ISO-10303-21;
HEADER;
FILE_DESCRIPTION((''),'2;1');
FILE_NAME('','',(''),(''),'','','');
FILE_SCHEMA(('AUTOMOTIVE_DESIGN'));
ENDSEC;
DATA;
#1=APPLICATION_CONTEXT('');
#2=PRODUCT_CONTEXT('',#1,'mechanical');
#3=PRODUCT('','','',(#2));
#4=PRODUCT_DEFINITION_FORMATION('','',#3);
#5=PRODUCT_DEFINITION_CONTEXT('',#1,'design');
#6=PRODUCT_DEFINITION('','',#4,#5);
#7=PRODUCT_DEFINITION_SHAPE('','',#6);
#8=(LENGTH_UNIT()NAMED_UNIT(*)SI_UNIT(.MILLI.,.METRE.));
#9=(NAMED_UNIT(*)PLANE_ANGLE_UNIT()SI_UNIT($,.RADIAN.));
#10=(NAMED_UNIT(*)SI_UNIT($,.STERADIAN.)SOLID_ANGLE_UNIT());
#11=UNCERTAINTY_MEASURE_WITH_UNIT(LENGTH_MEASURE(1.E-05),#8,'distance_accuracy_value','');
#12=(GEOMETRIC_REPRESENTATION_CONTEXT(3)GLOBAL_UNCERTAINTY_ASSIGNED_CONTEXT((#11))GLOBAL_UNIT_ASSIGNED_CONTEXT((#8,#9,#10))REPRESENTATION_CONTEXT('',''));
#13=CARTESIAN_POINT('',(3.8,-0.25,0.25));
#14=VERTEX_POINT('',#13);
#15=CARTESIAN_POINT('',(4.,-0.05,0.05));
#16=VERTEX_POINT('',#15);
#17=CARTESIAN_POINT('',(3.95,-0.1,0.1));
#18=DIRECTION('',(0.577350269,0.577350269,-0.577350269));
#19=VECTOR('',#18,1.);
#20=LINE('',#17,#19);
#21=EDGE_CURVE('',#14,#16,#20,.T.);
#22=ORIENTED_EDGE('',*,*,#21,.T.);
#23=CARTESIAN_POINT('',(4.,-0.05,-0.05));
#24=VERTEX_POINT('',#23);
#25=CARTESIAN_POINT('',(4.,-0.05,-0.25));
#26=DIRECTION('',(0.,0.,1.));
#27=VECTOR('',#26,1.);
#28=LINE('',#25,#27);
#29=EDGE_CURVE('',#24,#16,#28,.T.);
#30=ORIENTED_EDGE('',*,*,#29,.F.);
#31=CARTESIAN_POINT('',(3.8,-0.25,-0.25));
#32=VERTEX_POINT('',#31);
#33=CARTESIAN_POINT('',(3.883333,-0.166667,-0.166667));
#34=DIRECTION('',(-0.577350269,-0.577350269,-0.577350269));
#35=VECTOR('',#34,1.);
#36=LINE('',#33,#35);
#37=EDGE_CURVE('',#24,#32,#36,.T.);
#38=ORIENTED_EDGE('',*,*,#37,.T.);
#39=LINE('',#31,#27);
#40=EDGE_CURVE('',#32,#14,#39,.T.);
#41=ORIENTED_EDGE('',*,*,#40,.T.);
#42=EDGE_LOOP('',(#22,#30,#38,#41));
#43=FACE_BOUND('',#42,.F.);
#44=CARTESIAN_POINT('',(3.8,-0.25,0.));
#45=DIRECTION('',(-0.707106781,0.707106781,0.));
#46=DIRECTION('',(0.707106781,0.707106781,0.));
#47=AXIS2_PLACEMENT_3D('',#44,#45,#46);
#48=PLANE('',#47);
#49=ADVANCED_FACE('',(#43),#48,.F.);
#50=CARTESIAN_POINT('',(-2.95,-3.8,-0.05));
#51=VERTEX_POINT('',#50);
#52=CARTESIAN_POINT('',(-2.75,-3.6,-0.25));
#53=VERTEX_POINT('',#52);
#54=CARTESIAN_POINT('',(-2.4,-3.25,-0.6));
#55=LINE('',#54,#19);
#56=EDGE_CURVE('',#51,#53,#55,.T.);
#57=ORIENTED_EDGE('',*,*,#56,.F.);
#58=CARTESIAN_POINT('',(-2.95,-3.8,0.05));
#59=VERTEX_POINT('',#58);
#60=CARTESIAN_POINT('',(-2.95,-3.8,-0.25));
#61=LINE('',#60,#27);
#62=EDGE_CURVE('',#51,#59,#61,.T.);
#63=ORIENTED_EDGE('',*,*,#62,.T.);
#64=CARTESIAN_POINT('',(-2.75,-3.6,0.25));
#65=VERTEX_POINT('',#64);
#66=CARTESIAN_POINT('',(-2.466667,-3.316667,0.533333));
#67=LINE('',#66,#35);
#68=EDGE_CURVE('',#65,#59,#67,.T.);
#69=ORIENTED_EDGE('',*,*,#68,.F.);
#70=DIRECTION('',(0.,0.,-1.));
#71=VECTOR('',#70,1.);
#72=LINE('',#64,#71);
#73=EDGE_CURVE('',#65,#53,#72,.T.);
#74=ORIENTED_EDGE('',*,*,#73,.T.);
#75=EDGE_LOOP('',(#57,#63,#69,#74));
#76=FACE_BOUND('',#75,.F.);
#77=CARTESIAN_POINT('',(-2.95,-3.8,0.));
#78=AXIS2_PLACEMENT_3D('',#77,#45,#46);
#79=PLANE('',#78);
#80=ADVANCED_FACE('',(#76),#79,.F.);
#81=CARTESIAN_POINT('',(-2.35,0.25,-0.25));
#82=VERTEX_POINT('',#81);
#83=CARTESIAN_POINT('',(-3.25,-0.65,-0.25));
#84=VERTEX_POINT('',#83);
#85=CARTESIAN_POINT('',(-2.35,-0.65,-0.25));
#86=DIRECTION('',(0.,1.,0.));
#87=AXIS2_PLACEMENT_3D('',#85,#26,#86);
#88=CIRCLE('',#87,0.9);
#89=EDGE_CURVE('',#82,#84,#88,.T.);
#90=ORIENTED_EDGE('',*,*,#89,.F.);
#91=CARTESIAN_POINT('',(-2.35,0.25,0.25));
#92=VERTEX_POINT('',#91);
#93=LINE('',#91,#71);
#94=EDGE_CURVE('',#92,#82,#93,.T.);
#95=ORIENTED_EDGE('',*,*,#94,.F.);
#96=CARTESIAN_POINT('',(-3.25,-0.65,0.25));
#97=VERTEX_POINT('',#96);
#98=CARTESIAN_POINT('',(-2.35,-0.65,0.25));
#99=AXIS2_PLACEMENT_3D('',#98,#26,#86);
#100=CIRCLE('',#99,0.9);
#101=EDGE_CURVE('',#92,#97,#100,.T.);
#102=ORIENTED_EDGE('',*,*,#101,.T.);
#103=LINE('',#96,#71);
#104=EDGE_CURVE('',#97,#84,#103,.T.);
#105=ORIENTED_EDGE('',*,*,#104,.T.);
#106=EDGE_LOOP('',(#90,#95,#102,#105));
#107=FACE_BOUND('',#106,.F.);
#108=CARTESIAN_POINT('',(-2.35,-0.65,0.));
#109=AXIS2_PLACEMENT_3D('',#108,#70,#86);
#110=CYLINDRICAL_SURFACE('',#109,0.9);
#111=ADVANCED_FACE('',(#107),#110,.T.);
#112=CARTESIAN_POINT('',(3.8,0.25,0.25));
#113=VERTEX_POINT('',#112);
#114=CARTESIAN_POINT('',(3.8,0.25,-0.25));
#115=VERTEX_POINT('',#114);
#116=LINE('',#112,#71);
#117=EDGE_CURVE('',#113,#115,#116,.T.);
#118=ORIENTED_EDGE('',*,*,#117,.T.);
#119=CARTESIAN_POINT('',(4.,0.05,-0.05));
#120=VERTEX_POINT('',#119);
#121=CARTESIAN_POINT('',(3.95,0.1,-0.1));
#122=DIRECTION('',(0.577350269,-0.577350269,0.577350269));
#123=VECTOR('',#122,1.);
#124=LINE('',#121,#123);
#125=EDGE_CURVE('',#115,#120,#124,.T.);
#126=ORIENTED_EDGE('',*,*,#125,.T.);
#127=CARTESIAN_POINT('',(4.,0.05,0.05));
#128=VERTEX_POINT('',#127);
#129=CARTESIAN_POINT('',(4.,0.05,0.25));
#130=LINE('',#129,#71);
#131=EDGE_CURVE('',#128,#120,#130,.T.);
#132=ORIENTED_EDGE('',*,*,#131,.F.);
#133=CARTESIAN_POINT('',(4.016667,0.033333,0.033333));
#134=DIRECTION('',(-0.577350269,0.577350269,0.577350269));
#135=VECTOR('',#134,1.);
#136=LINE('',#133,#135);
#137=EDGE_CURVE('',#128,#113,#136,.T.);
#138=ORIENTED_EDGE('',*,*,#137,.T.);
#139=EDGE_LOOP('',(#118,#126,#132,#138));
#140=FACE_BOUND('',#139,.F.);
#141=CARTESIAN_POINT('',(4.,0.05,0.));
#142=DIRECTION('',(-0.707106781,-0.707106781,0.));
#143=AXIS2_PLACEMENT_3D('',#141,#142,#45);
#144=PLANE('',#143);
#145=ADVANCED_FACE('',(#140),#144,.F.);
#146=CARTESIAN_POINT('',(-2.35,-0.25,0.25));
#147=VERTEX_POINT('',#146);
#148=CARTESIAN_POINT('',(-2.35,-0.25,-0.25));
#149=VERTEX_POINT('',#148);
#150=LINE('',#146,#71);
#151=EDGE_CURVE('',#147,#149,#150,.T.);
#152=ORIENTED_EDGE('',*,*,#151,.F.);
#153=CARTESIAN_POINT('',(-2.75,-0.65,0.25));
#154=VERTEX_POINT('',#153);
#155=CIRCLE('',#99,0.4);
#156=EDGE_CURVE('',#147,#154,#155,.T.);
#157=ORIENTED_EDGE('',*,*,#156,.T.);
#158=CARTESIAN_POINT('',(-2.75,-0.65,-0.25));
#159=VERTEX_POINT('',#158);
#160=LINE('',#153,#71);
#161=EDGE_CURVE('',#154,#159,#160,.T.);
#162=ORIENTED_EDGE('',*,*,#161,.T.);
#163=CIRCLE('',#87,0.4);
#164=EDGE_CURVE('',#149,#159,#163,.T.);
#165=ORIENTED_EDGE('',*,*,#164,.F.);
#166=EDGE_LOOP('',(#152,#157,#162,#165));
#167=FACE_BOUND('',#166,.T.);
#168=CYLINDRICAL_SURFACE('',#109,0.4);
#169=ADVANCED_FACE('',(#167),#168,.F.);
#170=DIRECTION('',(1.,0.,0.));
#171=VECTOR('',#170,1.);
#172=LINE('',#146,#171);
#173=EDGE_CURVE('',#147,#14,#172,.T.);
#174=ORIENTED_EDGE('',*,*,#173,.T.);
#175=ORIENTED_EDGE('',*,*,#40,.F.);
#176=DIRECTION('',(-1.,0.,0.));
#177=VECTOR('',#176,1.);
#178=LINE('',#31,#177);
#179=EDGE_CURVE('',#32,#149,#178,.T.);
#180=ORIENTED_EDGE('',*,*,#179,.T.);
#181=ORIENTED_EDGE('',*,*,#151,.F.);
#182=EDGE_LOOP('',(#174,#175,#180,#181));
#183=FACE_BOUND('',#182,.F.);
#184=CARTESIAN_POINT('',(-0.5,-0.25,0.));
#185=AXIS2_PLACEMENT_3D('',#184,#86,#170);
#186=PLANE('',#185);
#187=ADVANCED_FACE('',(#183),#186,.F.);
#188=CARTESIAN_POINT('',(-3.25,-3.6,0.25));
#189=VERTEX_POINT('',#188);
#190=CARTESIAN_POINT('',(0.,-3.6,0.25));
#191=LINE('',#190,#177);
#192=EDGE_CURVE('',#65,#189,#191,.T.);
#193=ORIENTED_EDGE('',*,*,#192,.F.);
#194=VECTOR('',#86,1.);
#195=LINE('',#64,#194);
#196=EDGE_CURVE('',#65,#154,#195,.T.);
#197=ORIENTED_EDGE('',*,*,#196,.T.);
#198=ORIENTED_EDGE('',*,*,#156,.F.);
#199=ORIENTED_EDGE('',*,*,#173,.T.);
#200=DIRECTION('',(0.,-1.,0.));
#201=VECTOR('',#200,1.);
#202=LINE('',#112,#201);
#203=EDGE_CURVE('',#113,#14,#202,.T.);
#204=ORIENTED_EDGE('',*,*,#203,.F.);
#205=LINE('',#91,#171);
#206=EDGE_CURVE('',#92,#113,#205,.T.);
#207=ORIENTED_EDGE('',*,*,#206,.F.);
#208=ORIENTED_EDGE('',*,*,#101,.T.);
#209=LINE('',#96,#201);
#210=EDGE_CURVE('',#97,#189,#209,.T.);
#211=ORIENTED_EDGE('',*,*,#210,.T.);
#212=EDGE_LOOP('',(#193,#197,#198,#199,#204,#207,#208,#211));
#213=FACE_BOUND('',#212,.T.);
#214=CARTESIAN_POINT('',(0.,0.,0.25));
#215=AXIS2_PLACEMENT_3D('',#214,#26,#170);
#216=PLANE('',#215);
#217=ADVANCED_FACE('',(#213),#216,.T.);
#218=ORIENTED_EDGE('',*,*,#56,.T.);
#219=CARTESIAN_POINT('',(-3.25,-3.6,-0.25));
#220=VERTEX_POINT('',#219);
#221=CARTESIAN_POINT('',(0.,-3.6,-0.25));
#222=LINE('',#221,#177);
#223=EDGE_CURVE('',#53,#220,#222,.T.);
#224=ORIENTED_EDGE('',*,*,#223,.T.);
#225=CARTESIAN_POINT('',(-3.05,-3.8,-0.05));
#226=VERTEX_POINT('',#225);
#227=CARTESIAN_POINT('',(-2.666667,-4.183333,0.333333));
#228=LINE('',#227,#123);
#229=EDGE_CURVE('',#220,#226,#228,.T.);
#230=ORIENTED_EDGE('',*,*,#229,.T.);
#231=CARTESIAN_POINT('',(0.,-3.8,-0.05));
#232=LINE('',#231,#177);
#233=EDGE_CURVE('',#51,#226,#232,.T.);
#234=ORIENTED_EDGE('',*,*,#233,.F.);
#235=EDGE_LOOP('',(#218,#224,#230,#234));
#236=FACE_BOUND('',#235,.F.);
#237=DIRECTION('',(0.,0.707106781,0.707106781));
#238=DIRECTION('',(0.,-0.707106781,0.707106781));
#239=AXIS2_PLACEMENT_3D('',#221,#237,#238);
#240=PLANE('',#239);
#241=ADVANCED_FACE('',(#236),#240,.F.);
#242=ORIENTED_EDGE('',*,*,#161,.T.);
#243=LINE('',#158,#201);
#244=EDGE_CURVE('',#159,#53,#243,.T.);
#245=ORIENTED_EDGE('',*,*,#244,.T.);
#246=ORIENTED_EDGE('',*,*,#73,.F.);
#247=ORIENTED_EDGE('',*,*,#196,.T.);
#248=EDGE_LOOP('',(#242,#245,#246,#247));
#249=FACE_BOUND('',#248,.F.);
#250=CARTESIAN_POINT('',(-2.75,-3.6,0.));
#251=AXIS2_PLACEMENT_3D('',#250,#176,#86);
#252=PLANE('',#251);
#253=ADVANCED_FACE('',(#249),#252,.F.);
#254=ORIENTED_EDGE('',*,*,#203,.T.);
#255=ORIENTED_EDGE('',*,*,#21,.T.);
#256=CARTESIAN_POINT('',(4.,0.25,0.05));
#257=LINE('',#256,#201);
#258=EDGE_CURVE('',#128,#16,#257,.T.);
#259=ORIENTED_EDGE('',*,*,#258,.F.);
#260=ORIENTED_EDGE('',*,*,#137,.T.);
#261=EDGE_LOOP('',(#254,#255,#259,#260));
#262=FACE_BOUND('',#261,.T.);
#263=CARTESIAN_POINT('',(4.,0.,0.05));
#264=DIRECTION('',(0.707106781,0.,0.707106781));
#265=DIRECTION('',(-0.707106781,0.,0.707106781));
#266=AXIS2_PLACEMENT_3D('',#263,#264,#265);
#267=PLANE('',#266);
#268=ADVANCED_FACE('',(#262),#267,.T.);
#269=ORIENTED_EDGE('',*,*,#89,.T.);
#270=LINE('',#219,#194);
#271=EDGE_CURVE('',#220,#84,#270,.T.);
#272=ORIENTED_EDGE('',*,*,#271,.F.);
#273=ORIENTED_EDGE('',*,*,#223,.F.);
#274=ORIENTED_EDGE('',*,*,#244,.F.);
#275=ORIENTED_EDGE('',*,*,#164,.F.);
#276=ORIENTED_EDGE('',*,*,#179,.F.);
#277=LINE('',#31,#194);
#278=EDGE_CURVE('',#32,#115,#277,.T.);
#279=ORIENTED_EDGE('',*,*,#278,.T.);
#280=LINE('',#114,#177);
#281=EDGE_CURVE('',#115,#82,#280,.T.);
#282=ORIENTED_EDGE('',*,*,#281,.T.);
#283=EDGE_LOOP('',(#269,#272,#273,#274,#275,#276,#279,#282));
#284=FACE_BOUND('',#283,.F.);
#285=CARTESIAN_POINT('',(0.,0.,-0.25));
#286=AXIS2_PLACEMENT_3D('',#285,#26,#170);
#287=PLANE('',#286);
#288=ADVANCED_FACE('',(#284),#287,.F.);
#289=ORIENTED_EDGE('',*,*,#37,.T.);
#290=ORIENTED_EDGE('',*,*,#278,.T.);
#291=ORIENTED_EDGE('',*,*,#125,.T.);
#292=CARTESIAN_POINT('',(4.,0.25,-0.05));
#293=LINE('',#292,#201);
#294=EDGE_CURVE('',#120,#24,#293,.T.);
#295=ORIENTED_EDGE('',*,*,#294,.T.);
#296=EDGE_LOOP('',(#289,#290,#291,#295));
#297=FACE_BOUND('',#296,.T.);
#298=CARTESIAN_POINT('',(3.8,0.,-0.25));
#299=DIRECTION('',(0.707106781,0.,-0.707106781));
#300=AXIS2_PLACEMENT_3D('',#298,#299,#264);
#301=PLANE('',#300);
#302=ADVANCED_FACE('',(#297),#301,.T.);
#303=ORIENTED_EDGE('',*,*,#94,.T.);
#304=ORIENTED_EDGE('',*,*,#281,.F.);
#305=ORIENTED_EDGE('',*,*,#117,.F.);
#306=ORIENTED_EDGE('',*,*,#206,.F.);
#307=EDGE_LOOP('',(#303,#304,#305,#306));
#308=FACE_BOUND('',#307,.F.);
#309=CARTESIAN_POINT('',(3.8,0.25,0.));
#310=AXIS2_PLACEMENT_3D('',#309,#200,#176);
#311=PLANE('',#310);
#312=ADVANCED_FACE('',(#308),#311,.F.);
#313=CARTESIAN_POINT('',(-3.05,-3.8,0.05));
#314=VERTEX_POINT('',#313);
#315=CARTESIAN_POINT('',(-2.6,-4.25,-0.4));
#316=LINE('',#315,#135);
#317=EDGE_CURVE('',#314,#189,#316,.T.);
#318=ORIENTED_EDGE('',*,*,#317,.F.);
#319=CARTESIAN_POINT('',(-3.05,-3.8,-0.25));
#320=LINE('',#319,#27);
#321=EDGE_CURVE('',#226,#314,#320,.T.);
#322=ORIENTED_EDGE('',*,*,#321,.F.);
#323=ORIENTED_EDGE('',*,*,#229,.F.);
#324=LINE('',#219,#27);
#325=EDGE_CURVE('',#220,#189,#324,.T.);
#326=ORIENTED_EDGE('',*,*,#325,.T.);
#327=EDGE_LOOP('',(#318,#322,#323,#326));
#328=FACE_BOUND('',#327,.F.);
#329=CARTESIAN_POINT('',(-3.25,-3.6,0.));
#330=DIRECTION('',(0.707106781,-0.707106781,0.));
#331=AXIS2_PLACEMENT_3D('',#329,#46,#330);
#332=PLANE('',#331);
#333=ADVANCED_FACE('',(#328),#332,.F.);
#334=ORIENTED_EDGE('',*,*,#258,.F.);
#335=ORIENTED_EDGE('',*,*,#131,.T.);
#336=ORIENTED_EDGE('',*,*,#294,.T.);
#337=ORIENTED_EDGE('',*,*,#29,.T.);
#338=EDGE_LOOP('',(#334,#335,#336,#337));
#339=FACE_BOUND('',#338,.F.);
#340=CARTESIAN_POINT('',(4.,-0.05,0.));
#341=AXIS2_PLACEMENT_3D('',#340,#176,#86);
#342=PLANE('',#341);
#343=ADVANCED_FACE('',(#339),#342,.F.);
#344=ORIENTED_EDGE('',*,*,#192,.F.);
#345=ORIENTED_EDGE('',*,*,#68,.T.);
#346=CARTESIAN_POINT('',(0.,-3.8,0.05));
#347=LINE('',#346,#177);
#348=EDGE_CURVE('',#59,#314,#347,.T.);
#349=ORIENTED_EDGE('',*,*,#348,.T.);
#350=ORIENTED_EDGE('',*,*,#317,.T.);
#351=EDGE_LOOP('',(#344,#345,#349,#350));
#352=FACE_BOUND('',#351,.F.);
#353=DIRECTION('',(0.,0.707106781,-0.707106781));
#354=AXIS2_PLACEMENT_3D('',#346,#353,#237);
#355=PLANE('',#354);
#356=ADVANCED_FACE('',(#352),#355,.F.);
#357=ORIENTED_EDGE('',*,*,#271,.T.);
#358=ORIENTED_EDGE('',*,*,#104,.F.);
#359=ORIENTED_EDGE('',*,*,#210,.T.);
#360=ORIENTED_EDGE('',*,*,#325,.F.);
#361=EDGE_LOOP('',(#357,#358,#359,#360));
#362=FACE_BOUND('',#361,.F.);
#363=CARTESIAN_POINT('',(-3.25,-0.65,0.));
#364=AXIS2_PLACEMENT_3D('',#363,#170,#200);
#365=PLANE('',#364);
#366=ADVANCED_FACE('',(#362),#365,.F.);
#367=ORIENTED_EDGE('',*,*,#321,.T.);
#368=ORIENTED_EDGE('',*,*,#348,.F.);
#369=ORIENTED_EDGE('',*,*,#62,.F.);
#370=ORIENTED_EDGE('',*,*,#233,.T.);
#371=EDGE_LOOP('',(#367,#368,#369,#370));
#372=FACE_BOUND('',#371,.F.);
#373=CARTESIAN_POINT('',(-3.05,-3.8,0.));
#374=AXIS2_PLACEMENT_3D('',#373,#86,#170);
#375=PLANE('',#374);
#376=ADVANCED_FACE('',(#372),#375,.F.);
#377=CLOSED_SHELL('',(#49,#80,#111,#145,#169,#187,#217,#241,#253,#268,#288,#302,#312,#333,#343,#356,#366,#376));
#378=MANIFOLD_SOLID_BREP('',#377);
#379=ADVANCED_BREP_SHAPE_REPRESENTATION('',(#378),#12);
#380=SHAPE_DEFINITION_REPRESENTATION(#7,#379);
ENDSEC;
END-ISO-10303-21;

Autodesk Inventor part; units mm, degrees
sketch "Sketch_2" plane through (0, 0, 0) normal (0, 0, 1) x (1, 0, 0)
  line L0 (-0.5, -0.25) -> (3.8, -0.25)
  line L1 (3.8, -0.25) -> (4, -0.05)
  line L2 (4, -0.05) -> (4, 0.05)
  line L3 (4, 0.05) -> (3.8, 0.25)
  line L4 (3.8, 0.25) -> (-0.5, 0.25)
  line L5 (-0.5, 0.25) -> (-0.5, -0.25)
extrude "Extrusion1" add sketch "Sketch_2" along normal mid plane 0.5
sketch "Sketch_3" plane through (0, 0, 0) normal (0, 0, 1) x (1, 0, 0)
  line L0 (-3.25, -3.6) -> (-3.05, -3.8)
  line L1 (-3.05, -3.8) -> (-2.95, -3.8)
  line L2 (-2.95, -3.8) -> (-2.75, -3.6)
  line L3 (-2.75, -3.6) -> (-2.75, -0.65)
  arc A0 (-2.35, -0.25) -> (-2.75, -0.65) centre (-2.35, -0.65) ccw
  line L4 (-2.35, -0.25) -> (-0.5, -0.25)
  line L5 (-0.5, -0.25) -> (-0.5, 0.25)
  line L6 (-0.5, 0.25) -> (-2.35, 0.25)
  arc A1 (-2.35, 0.25) -> (-3.25, -0.65) centre (-2.35, -0.65) ccw
  line L7 (-3.25, -0.65) -> (-3.25, -3.6)
extrude "Extrusion2" add sketch "Sketch_3" along normal mid plane 0.5
sketch "Sketch_4" plane through (0, 0, 0) normal (0, 1, 0) x (-1, 0, 0)
  line L0 (-3.7, -1.25) -> (-3.7, -0.25)
  line L1 (-3.7, -0.25) -> (-3.8, -0.25)
  line L2 (-3.8, -0.25) -> (-4, -0.05)
  line L3 (-4, -0.05) -> (-4, 0.05)
  line L4 (-4, 0.05) -> (-3.8, 0.25)
  line L5 (-3.8, 0.25) -> (-3.7, 0.25)
  line L6 (-3.7, 0.25) -> (-3.7, 1.25)
  line L7 (-3.7, 1.25) -> (-5, 1.25)
  line L8 (-5, 1.25) -> (-5, -1.25)
  line L9 (-5, -1.25) -> (-3.7, -1.25)
extrude "Extrusion3" cut sketch "Sketch_4" along normal mid plane 0.5
sketch "Sketch_5" plane through (0, 0, 0) normal (1, 0, 0) x (0, 1, 0)
  line L0 (-4, 0.45) -> (-4, -0.45)
  line L1 (-4, -0.45) -> (-3.5, -0.45)
  line L2 (-3.5, -0.45) -> (-3.5, -0.25)
  line L3 (-3.5, -0.25) -> (-3.6, -0.25)
  line L4 (-3.6, -0.25) -> (-3.8, -0.05)
  line L5 (-3.8, -0.05) -> (-3.8, 0.05)
  line L6 (-3.8, 0.05) -> (-3.6, 0.25)
  line L7 (-3.6, 0.25) -> (-3.5, 0.25)
  line L8 (-3.5, 0.25) -> (-3.5, 0.45)
  line L9 (-3.5, 0.45) -> (-4, 0.45)
extrude "Extrusion4" cut sketch "Sketch_5" against normal blind 3.5
ref_plane "IP_PIN_XY" through (0, 0, 0) normal (1, 0, 0) x (0, 0, -1)
ref_plane "IP_PIN_YZ" through (0, 0, 0) normal (0, 0, -1) x (0, 1, 0)
ref_plane "IP_PIN_ZX" through (0, 0, 0) normal (0, 1, 0) x (1, 0, 0)
properties part number "BF021-06-A-B-0400-0280-N-G_P"
